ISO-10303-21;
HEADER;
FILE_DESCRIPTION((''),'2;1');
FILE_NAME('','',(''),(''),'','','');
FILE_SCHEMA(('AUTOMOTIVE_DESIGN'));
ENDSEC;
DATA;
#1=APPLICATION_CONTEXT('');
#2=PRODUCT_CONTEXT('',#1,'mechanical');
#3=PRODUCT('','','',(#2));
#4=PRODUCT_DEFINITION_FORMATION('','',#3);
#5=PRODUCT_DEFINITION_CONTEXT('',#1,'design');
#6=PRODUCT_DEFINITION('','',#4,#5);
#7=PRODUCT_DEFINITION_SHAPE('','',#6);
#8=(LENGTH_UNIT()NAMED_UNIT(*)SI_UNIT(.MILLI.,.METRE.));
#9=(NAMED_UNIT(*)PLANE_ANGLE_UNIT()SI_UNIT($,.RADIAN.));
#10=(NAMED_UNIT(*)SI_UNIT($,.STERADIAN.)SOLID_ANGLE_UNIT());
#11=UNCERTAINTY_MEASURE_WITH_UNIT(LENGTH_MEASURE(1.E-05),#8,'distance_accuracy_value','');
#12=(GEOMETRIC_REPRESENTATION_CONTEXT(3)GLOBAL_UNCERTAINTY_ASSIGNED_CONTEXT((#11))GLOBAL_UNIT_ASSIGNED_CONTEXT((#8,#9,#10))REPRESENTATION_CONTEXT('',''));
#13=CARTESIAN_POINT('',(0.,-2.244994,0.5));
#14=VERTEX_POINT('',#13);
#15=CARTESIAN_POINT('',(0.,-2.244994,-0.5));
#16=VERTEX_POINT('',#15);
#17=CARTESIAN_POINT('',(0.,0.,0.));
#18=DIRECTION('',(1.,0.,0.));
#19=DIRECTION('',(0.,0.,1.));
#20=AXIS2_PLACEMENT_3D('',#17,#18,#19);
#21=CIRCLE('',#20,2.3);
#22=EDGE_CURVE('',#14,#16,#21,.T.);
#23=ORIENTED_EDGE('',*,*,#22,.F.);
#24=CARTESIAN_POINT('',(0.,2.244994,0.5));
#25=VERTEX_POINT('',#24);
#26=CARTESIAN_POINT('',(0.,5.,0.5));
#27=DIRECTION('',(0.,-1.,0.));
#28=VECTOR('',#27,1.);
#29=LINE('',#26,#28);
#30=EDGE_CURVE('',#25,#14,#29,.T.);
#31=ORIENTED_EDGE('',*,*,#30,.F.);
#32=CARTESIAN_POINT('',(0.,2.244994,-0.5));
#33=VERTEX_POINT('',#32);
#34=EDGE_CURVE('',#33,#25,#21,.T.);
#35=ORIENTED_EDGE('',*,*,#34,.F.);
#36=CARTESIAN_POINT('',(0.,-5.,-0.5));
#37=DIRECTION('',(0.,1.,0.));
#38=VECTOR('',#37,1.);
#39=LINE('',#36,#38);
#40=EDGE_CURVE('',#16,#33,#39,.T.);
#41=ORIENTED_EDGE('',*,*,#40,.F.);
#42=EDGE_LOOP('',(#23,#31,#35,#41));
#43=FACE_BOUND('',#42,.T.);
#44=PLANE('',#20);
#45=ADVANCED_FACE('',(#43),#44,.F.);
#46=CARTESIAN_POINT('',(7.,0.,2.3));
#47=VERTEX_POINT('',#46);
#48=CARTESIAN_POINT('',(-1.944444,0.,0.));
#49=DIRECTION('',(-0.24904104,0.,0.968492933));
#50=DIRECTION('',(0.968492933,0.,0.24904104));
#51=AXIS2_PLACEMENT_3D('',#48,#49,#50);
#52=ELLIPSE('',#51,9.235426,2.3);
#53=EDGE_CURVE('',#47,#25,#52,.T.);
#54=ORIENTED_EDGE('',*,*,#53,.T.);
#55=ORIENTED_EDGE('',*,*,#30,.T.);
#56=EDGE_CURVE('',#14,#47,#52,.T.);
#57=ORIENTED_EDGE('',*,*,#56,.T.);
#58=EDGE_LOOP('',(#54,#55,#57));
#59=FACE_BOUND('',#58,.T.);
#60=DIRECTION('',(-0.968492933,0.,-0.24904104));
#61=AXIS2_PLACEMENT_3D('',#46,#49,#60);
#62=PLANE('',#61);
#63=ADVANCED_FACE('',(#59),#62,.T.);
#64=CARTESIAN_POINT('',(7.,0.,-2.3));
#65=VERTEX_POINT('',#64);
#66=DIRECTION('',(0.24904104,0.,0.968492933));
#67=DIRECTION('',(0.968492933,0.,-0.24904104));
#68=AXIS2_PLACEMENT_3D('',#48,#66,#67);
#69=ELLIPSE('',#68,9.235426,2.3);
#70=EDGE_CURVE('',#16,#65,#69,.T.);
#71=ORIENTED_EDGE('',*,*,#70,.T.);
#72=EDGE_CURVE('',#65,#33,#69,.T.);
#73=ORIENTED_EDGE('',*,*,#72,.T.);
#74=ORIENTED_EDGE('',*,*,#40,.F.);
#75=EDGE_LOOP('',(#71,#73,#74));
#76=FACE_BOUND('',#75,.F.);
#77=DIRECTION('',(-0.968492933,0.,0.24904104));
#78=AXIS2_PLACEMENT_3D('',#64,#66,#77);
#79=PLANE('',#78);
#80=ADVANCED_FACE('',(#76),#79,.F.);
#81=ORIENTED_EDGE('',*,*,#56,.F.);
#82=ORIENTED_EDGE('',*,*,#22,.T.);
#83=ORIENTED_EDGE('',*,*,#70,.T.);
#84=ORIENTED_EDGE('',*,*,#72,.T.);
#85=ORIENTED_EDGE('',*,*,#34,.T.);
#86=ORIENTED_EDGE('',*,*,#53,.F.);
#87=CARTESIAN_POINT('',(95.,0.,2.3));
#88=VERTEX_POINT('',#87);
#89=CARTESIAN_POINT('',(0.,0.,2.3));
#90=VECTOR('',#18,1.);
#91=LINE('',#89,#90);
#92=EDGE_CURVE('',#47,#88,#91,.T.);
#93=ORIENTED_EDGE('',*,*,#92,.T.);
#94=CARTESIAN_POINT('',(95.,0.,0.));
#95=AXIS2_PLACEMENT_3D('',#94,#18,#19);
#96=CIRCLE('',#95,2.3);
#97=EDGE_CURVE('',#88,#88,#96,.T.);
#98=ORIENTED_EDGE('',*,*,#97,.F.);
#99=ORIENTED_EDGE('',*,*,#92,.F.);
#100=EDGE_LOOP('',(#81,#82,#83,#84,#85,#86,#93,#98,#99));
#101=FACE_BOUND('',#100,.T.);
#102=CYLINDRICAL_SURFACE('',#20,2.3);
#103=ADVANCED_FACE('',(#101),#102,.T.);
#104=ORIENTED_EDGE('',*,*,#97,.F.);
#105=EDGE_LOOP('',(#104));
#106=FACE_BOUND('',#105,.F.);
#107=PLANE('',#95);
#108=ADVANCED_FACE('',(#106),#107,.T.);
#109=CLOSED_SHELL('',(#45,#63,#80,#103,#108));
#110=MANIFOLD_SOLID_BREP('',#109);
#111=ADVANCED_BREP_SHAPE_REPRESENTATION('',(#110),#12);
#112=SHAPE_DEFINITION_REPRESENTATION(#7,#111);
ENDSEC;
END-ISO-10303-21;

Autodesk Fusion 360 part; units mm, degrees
sketch "Sketch1" plane through (0, 0, 0) normal (0, 1, 0) x (1, 0, 0)
  line L0 (0, 0) -> (95, 0)
  line L1 (95, 0) -> (95, -2.3)
  line L2 (0, 0) -> (0, -2.3)
  line L3 (0, -2.3) -> (95, -2.3)
  dimension "d1" = 95
  dimension "d6" = 2.3
revolve "Revolve1" add sketch "Sketch1" angle 360 about axis through (0, 0, 0) along (1, 0, 0)
sketch "Sketch3" plane through (0, 0, 0) normal (0, 1, 0) x (1, 0, 0)
  line L0 (0, 0) -> (95, 0) construction
  line L1 (95, 0) -> (0, 0) construction
  line L2 (0, 0) -> (0, -2.3) construction
  line L3 (0, -2.3) -> (0, -0.5)
  line L4 (0, -2.3) -> (7, -2.3)
  line L5 (7, -2.3) -> (0, -0.5)
  line L6 (0, 2.3) -> (0, 0.5)
  line L7 (7, 2.3) -> (0, 0.5)
  line L8 (0, 2.3) -> (7, 2.3)
  dimension "d20" = 2.3
  dimension "d21" = 1.8
  dimension "d22" = 7
extrude "Extrude1" cut sketch "Sketch3" along normal mid plane 10
